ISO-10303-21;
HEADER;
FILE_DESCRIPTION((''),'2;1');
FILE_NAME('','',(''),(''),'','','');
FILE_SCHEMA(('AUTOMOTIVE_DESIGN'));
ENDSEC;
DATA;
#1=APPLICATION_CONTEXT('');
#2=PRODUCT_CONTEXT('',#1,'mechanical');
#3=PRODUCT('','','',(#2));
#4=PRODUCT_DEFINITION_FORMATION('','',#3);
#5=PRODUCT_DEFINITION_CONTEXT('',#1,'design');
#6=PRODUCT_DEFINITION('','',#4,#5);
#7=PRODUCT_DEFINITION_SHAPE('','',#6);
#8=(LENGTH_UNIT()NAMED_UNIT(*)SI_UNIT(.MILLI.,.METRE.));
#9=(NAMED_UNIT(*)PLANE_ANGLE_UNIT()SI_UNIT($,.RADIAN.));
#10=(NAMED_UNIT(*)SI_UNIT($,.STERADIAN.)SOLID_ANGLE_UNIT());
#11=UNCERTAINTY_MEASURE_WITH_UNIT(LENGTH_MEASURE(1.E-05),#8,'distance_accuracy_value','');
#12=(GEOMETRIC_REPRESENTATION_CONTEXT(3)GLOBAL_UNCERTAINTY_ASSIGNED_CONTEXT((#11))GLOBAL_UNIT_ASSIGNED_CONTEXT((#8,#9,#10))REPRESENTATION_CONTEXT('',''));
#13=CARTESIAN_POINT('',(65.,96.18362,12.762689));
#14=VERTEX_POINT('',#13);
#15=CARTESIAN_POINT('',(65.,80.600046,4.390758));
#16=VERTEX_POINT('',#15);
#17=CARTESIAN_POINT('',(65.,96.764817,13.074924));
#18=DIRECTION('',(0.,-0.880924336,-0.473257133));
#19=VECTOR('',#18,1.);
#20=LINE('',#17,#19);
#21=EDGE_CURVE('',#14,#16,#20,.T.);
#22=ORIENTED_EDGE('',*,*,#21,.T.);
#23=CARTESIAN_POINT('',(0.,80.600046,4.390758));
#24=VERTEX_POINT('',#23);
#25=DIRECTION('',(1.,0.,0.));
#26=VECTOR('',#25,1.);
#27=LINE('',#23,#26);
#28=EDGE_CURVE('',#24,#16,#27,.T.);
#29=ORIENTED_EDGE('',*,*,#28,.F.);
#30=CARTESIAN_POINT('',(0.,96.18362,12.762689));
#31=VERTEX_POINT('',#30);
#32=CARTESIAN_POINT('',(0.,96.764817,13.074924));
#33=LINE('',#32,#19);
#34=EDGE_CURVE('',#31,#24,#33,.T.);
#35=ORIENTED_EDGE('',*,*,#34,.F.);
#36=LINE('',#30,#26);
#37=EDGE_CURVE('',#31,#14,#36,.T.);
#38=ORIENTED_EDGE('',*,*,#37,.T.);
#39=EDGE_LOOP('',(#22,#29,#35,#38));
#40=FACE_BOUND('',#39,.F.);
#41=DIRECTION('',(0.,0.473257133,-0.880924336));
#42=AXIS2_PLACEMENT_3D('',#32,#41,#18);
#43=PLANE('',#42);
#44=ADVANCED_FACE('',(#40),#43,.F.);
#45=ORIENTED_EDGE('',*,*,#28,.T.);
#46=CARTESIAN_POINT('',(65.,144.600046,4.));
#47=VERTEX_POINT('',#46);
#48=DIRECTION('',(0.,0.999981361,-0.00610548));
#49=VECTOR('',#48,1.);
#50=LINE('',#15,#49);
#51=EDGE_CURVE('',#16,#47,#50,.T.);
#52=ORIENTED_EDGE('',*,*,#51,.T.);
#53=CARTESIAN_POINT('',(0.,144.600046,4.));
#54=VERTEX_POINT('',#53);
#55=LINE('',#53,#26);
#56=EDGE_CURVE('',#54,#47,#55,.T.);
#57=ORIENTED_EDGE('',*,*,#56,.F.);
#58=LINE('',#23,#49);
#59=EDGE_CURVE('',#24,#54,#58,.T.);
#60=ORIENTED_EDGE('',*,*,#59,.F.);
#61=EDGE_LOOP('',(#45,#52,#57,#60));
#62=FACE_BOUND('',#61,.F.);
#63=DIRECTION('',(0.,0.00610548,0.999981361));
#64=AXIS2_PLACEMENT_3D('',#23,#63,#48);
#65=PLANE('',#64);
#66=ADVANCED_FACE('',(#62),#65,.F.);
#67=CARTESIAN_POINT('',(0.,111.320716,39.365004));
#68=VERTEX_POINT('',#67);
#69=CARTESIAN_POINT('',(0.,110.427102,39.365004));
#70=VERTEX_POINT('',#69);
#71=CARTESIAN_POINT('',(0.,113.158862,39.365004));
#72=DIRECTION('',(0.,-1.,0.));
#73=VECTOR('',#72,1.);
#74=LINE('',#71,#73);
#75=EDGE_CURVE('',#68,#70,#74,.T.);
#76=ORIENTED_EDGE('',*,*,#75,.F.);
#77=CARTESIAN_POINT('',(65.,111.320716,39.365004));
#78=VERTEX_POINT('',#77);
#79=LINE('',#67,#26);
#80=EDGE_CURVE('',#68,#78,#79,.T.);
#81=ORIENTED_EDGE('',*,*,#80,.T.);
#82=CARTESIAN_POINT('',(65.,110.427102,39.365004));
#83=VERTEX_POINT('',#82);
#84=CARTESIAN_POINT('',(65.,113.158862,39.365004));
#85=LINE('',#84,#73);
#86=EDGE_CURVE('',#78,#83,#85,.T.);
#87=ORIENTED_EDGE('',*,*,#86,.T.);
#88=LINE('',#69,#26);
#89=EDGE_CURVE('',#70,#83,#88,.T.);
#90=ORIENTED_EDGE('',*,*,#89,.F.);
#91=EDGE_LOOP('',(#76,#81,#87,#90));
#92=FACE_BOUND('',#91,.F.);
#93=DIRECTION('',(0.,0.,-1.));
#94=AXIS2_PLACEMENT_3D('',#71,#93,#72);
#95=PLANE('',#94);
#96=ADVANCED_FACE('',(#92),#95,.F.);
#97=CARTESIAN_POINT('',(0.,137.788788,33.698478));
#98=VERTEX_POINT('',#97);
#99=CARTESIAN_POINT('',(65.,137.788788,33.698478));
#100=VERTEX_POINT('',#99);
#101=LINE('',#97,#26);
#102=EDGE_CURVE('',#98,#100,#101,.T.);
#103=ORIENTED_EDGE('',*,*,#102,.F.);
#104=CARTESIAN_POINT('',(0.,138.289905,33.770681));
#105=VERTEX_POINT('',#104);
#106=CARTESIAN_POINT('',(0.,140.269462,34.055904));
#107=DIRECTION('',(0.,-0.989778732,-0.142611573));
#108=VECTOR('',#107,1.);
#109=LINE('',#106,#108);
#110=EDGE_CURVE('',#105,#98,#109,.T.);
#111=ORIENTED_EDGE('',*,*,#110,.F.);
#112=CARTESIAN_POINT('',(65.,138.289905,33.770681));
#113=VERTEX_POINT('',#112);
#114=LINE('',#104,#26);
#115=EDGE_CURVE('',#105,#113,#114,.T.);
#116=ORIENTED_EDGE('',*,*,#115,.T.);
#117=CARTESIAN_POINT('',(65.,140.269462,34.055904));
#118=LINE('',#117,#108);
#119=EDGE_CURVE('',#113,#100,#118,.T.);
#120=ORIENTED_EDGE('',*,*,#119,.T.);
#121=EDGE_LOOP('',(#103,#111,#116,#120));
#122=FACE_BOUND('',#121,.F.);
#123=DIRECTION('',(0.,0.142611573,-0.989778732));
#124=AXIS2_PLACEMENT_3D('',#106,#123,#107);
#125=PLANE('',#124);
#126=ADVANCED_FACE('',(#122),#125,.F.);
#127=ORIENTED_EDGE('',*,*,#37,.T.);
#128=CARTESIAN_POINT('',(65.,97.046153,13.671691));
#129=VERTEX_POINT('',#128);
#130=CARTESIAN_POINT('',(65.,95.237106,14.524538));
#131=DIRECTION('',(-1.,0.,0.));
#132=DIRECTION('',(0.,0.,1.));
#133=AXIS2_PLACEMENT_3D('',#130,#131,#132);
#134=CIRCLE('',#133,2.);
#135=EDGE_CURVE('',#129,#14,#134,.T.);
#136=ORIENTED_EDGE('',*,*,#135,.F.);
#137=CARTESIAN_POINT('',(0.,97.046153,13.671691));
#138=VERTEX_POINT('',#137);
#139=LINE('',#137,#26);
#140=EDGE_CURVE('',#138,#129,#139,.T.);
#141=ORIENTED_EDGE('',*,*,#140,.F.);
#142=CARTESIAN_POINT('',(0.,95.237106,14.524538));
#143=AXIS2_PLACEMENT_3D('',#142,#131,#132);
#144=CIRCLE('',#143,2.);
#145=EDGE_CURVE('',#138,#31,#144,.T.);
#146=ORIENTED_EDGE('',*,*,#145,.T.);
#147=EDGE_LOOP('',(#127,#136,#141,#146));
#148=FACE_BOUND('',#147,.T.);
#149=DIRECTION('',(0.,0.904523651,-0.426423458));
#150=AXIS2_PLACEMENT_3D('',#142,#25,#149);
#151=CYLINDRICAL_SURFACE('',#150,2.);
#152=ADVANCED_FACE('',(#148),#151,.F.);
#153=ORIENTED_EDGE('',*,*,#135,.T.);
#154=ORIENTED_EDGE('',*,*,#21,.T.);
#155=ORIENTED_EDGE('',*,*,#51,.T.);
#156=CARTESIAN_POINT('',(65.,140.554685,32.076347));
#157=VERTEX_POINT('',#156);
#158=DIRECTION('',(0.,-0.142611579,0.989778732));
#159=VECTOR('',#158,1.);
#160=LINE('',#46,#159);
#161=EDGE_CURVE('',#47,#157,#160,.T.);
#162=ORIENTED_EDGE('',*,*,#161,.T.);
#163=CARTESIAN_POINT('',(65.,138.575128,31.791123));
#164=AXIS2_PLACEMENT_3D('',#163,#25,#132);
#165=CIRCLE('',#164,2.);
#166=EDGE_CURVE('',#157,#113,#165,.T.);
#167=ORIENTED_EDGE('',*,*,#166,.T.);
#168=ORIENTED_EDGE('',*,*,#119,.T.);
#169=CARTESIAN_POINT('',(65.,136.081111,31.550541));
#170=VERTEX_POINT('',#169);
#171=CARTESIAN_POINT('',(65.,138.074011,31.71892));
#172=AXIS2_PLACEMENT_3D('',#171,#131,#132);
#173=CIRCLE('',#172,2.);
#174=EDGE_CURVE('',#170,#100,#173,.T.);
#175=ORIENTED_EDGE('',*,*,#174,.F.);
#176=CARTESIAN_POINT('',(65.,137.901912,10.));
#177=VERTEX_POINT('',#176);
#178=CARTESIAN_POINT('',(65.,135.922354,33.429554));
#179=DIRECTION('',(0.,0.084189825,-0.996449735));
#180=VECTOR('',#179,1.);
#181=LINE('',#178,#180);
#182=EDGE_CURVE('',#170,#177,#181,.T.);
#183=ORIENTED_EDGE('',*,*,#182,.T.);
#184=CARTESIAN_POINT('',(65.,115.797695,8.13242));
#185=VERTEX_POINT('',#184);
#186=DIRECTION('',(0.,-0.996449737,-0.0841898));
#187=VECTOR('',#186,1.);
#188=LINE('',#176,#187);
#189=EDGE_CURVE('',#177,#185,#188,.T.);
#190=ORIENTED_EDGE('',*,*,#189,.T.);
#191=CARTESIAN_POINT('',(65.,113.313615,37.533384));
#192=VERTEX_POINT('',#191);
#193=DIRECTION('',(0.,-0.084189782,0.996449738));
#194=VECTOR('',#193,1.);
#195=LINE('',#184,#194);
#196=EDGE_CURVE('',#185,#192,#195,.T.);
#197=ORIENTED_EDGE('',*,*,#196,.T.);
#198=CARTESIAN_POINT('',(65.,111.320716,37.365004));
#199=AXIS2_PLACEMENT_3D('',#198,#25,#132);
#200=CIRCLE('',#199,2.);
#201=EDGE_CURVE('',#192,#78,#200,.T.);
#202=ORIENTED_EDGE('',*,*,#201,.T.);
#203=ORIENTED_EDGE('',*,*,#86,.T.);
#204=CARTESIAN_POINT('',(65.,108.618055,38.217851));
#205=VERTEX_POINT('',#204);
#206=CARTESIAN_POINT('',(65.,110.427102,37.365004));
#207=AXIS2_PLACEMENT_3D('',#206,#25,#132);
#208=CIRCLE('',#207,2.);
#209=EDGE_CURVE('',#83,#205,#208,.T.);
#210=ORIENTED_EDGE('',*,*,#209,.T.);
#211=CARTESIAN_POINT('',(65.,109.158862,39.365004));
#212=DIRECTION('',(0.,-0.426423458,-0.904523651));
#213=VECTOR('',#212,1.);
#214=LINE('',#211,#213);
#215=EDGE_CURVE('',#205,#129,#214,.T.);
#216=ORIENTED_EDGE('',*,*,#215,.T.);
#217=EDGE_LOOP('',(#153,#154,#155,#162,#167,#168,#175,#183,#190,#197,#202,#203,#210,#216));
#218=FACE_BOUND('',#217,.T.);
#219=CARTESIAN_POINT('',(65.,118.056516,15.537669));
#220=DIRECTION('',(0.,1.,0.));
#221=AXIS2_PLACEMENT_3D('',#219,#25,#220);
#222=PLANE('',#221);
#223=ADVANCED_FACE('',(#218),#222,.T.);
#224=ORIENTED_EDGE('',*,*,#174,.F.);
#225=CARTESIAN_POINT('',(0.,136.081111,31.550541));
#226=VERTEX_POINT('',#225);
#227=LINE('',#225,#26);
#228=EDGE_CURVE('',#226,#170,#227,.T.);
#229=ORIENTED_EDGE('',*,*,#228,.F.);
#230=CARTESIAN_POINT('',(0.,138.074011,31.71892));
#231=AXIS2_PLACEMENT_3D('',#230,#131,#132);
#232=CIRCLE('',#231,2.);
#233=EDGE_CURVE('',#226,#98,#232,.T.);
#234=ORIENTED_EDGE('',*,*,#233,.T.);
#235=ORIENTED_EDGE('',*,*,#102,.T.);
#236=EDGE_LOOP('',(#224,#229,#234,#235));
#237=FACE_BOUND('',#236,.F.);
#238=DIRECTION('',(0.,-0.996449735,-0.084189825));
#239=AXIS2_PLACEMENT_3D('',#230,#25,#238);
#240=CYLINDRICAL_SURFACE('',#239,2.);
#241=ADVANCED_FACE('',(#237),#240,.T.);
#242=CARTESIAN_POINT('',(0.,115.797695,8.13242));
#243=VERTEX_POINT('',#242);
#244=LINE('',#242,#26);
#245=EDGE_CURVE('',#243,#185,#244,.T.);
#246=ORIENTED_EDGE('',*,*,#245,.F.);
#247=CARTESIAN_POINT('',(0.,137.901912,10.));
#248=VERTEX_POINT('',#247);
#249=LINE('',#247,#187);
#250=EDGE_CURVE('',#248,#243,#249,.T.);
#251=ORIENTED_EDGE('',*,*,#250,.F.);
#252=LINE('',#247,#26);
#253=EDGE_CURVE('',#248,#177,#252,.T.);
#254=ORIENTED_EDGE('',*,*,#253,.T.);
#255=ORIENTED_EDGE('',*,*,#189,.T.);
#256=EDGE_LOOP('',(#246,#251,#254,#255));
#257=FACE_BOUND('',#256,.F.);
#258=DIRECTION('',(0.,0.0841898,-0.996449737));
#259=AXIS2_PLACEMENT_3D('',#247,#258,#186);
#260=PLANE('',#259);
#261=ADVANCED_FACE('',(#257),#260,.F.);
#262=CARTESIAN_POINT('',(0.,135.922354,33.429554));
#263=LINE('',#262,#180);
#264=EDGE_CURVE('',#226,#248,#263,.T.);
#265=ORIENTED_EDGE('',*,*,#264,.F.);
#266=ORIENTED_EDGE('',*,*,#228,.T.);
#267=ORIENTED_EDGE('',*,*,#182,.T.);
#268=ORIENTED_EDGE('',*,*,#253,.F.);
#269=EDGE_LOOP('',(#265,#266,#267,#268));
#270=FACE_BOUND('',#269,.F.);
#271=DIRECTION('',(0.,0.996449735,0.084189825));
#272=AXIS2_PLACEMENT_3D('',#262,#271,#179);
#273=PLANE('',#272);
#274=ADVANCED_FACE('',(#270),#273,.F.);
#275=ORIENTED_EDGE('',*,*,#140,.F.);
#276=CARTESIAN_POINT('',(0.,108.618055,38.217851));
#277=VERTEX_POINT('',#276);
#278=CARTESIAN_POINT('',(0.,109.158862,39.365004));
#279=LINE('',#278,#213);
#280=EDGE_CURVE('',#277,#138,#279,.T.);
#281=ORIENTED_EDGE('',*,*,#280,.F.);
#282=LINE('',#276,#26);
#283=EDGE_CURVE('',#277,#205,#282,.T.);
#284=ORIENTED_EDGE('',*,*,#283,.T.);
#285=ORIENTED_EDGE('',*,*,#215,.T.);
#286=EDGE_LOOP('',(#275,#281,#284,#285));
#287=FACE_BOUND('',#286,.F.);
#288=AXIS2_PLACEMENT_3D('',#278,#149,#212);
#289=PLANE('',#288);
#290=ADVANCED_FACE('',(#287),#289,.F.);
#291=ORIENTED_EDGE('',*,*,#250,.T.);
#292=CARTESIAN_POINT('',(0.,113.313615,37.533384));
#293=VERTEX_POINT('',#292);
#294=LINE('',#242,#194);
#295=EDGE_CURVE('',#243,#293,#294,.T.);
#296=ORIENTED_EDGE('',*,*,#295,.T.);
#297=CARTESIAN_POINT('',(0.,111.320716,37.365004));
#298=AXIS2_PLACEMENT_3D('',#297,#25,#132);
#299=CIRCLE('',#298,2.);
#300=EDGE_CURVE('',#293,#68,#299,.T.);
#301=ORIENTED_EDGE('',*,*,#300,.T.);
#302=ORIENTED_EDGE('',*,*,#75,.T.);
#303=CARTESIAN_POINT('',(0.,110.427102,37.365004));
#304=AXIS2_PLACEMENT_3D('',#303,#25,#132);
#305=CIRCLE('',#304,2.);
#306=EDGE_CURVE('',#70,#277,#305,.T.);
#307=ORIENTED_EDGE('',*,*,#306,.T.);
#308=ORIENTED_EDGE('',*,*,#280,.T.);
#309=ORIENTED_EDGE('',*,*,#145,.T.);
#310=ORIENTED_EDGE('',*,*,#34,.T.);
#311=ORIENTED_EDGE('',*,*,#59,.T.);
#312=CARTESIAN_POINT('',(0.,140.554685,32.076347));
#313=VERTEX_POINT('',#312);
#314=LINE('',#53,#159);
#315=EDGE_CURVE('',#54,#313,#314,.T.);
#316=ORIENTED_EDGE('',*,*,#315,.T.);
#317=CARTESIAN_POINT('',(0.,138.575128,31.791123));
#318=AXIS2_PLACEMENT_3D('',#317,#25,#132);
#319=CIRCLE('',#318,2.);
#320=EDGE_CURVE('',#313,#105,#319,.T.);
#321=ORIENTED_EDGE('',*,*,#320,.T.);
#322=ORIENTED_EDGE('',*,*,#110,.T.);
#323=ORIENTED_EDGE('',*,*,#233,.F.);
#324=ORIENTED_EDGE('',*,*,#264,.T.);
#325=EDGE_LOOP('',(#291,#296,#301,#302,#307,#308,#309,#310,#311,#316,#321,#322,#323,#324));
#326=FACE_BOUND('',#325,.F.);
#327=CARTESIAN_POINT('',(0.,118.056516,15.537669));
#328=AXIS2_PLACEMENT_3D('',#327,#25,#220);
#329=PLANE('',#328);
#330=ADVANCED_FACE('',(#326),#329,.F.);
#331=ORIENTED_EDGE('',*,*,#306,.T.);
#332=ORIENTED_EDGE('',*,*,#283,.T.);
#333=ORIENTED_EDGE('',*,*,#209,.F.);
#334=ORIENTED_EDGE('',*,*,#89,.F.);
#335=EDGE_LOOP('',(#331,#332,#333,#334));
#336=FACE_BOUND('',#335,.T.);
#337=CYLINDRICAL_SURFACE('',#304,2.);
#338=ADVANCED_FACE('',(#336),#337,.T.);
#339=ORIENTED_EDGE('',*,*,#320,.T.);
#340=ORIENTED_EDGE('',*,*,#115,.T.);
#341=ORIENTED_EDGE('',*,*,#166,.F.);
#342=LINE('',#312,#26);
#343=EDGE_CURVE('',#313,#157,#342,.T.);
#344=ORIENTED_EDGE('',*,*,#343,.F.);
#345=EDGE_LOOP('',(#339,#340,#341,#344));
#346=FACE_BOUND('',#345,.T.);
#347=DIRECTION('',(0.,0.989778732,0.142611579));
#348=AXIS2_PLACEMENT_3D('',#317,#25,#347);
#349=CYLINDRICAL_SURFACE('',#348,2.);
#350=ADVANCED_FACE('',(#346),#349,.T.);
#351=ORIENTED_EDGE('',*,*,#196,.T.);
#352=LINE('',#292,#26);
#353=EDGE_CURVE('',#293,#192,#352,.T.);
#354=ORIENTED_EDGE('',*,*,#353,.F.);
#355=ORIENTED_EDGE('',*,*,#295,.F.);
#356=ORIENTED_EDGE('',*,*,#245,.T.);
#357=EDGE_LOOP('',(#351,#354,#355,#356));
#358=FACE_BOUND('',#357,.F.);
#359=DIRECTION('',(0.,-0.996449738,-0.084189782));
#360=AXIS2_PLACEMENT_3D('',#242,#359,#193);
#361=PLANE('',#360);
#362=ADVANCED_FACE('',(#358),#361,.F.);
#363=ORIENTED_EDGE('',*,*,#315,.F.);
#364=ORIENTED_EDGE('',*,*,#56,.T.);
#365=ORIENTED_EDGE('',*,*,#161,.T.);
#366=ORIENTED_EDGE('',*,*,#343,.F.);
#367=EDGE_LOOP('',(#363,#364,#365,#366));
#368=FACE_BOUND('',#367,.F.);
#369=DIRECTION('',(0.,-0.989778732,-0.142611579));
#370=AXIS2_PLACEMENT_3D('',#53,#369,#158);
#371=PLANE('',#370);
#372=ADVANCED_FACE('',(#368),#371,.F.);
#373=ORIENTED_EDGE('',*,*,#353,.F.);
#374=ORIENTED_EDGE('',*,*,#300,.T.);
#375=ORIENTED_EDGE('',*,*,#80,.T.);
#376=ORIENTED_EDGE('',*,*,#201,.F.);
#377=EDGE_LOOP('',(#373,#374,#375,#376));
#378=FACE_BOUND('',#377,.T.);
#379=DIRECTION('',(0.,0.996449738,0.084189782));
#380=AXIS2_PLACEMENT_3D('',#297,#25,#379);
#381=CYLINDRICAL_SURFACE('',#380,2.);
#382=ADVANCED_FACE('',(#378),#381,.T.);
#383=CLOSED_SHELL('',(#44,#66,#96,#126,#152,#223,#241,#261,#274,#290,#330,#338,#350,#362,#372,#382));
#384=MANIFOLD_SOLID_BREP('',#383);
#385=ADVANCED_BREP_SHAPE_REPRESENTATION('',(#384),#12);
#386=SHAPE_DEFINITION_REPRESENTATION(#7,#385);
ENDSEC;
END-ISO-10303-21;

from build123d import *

# Parameters (mm, degrees)
F1_DEPTH = 65
F2_R     = 2


with BuildPart() as f1:
    # F0 (on Right) → F1 (new body)
    with BuildSketch(Plane.YZ):
        Polygon((135.922354, 33.429554), (137.901912, 10), (115.797695, 8.13242), (113.158862, 39.365004), (109.158862, 39.365004), (96.764817, 13.074924), (80.600046, 4.390758), (144.600046, 4), (140.269462, 34.055904), align=None)
    extrude(amount=F1_DEPTH)

    # F2
    f2_edges = [f1.edges().sort_by_distance(p)[0] for p in [
        (32.5, 109.158862, 39.365004),
        (32.5, 113.158862, 39.365004),
        (32.5, 135.922354, 33.429554),
        (32.5, 140.269462, 34.055904),
        (32.5, 96.764817, 13.074924),
    ]]
    fillet(f2_edges, radius=F2_R)


solid = f1.part
